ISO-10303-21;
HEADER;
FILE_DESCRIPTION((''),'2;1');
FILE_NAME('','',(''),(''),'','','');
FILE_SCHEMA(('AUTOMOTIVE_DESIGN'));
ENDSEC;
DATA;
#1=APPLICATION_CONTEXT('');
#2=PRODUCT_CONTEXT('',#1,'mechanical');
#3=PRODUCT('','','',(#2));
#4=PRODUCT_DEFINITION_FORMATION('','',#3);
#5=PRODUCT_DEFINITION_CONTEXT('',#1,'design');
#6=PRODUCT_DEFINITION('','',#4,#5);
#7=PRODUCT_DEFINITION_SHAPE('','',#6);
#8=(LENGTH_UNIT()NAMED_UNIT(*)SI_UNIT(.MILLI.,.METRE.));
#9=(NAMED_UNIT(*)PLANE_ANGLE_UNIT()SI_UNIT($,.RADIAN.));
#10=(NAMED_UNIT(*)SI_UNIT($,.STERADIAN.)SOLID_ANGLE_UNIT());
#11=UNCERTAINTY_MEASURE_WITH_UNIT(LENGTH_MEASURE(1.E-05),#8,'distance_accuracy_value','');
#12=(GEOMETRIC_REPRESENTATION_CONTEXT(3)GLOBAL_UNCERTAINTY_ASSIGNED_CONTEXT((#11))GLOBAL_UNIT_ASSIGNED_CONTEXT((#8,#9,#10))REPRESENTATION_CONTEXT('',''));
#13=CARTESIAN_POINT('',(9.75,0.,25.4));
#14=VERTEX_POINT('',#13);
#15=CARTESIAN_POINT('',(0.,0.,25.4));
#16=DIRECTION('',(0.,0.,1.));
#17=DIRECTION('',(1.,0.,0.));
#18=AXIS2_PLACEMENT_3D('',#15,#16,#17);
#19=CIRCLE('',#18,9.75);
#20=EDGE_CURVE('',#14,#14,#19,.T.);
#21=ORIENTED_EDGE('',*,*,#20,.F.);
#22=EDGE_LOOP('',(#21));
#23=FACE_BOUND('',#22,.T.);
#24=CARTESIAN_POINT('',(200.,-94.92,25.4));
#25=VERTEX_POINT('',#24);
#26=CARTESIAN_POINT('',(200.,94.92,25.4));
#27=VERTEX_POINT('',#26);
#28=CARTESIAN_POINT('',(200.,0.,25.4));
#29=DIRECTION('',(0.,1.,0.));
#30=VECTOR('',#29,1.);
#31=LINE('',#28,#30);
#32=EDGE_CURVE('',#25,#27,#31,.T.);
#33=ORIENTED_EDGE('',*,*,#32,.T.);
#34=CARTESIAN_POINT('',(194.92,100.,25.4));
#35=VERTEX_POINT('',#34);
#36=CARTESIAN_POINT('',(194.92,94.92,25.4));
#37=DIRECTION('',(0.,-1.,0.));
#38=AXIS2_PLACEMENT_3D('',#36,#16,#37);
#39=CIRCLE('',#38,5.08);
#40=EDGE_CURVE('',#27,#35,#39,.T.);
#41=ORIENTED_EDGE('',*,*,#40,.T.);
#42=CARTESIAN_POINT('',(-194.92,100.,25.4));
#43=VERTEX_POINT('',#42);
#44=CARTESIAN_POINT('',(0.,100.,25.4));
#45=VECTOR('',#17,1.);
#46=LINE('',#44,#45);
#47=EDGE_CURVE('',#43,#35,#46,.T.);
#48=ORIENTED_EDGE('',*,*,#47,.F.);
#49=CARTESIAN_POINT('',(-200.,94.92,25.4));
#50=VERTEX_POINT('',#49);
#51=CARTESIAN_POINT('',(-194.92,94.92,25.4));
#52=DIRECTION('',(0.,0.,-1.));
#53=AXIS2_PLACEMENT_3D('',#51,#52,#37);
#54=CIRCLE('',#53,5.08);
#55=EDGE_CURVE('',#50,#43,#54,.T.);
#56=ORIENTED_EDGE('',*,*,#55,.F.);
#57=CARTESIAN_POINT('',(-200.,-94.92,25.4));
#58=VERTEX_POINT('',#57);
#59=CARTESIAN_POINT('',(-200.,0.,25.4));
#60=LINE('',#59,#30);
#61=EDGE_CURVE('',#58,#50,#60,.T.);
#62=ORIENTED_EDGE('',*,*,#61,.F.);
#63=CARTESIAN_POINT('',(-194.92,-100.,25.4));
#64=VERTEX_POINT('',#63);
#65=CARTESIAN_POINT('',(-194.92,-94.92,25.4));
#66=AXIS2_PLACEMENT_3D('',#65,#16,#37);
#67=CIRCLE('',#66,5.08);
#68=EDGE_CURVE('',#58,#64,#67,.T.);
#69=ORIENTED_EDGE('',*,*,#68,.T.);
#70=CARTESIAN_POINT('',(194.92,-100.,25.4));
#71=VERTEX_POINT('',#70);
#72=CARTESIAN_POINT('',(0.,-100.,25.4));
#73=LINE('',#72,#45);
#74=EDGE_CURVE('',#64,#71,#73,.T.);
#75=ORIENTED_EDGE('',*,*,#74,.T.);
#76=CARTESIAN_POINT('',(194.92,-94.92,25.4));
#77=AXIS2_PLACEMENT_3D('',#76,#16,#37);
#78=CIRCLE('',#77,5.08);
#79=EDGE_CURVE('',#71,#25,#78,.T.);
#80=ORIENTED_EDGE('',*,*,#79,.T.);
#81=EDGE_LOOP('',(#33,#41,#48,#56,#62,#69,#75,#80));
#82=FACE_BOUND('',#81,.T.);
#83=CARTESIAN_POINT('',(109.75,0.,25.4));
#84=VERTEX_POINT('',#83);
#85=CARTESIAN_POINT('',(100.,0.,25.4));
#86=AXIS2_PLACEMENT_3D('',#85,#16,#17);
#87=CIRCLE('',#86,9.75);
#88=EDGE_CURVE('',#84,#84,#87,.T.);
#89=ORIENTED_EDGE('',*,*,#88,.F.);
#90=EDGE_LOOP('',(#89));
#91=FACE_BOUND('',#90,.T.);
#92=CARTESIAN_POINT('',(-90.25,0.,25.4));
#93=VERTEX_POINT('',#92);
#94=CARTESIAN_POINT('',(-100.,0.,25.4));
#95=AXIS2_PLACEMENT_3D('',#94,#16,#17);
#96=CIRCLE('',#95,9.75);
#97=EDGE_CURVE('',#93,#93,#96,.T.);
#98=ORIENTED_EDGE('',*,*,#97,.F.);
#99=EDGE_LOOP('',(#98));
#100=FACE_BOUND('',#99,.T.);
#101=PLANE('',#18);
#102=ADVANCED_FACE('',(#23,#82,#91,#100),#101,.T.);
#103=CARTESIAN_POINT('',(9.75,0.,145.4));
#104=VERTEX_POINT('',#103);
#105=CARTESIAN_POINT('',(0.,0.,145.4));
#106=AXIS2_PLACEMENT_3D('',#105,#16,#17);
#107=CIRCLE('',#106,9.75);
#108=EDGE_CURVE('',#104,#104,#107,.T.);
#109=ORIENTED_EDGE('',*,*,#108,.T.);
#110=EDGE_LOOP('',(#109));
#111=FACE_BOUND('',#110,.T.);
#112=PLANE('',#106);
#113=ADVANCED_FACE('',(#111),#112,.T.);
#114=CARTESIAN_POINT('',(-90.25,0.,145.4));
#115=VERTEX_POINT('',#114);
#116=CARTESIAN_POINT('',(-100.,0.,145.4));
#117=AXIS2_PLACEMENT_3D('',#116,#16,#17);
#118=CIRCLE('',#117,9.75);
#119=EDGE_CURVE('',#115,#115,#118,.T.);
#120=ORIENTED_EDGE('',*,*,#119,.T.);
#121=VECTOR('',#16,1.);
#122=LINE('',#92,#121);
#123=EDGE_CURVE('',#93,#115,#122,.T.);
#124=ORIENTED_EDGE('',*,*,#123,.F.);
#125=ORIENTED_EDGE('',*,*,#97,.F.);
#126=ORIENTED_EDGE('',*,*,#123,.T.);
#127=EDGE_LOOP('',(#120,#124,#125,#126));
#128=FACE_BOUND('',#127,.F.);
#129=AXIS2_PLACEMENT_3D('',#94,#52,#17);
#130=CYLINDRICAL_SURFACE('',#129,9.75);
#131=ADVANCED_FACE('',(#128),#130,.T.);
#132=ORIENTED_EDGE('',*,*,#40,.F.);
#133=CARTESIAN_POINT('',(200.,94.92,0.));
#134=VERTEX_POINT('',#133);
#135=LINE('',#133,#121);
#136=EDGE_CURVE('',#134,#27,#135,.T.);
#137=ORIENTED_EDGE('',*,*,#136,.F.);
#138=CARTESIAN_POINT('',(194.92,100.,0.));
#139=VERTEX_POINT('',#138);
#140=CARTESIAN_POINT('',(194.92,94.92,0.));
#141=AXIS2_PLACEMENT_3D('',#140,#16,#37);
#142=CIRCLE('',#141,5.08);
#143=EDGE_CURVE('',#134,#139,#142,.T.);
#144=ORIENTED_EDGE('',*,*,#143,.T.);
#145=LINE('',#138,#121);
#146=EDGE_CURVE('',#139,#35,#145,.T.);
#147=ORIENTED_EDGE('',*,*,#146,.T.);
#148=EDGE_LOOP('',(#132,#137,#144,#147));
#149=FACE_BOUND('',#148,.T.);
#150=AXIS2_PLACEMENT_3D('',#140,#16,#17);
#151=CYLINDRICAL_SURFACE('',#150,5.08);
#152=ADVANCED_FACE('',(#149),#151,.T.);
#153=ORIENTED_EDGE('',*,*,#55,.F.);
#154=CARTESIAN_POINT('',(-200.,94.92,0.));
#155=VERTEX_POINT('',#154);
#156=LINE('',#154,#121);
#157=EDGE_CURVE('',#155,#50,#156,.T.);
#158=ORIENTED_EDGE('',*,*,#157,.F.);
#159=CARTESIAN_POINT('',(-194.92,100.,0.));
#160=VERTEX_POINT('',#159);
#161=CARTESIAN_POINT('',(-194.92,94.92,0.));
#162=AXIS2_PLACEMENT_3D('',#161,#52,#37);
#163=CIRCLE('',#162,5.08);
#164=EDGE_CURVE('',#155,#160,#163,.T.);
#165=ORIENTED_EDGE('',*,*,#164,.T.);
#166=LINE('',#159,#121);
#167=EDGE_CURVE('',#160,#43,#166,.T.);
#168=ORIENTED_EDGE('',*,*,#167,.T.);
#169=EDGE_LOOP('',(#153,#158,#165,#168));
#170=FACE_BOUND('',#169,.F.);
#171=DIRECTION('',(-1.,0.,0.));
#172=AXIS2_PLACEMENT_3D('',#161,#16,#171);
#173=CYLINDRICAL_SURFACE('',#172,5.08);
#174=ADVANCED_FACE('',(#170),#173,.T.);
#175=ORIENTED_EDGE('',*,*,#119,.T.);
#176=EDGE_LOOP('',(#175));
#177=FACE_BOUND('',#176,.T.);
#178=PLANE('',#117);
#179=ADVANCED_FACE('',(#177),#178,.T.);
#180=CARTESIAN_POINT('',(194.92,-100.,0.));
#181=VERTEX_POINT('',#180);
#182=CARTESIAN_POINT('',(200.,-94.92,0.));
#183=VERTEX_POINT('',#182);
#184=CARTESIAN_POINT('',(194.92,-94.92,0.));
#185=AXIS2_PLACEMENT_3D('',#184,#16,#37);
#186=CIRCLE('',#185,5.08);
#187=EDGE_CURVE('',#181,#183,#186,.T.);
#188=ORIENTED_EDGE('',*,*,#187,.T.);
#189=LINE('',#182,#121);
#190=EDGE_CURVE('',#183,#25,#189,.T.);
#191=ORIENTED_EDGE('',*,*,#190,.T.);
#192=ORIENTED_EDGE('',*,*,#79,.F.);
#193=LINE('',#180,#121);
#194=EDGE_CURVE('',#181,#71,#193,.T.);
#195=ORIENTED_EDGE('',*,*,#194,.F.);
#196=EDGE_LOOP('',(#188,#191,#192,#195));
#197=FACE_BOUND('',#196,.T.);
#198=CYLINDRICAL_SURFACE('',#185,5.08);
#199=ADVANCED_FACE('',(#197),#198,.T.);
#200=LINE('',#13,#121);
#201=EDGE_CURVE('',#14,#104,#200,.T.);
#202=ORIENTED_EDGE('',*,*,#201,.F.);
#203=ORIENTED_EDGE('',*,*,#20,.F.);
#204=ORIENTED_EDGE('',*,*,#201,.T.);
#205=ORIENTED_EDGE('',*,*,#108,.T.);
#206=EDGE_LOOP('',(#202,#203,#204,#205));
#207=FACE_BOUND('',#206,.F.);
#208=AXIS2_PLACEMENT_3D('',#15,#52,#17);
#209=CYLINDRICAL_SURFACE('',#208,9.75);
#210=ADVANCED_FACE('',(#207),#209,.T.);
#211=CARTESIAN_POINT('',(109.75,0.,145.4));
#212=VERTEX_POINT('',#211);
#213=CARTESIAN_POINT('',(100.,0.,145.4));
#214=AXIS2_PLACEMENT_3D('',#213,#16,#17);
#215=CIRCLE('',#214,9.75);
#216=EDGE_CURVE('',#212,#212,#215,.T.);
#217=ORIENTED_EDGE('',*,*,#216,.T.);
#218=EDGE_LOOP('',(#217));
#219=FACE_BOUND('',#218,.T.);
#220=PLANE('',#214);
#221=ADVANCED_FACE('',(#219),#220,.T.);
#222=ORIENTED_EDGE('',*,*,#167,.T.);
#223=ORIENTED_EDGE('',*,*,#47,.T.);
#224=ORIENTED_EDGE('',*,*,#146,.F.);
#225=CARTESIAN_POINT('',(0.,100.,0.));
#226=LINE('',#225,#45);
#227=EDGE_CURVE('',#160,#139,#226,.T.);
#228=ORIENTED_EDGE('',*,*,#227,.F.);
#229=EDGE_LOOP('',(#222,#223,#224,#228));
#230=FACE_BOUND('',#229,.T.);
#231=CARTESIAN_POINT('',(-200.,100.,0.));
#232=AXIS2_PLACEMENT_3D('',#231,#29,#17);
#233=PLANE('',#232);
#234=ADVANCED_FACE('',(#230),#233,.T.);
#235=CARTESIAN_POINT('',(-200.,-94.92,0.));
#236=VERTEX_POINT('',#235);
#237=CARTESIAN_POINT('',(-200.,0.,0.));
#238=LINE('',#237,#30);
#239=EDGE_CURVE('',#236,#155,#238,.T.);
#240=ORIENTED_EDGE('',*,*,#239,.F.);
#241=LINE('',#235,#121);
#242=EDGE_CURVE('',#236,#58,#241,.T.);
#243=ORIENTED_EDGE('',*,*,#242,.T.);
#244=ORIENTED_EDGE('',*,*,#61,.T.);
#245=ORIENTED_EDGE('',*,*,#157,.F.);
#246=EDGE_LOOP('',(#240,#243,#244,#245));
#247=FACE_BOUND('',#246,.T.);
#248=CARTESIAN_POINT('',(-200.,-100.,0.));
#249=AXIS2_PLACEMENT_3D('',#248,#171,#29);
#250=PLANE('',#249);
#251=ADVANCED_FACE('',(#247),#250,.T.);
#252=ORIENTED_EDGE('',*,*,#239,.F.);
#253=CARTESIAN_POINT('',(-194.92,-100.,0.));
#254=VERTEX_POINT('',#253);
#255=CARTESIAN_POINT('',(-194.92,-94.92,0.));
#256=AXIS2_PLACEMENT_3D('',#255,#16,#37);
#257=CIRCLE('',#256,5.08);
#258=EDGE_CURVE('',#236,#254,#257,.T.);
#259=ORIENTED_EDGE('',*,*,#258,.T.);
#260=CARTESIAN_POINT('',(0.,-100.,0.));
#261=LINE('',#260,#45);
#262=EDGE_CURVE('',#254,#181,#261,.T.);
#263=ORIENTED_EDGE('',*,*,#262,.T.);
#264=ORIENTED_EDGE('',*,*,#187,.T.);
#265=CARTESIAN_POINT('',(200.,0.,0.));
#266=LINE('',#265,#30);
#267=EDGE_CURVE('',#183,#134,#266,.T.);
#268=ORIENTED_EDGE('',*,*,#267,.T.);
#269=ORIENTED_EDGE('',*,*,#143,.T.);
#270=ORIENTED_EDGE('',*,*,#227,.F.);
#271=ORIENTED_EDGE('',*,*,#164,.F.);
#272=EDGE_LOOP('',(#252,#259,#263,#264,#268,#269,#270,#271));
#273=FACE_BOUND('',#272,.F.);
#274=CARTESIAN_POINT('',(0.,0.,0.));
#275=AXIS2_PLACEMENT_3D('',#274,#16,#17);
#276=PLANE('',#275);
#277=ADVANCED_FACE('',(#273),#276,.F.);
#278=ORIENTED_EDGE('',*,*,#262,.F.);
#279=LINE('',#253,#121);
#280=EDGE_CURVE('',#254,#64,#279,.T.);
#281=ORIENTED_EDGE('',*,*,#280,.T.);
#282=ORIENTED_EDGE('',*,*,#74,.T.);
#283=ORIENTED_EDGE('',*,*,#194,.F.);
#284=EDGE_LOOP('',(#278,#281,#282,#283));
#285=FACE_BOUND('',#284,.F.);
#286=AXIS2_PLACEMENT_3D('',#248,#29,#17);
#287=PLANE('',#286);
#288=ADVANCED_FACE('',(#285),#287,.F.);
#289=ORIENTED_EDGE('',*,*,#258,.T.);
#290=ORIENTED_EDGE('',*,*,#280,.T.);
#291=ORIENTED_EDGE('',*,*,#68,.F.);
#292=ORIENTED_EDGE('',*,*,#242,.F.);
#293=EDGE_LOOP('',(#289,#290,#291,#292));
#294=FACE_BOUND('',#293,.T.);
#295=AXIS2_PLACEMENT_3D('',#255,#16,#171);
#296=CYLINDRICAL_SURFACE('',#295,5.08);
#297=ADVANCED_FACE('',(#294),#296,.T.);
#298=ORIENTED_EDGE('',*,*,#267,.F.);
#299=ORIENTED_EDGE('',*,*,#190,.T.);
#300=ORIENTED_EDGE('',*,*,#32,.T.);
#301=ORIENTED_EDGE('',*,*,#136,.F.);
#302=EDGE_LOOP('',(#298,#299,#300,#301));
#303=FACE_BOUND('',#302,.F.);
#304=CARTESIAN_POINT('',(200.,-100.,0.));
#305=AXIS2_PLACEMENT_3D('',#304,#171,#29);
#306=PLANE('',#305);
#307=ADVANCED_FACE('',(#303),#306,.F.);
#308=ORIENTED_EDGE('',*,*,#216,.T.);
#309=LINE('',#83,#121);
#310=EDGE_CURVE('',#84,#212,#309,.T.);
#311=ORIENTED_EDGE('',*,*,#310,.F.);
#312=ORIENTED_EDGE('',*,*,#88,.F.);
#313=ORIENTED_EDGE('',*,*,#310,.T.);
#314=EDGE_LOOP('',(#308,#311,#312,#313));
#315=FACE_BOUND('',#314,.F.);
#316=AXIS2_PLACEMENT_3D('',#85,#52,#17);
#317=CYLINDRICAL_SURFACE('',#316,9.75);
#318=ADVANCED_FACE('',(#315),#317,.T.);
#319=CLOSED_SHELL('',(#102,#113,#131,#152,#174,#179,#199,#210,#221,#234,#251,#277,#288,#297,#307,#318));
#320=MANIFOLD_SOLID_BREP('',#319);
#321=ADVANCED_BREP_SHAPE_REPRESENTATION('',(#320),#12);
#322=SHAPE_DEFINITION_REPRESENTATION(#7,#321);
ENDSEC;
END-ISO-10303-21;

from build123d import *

# Parameters (mm, degrees)
F0_W     = 400
F0_H     = 200
F1_DEPTH = 25.4
F2_R     = 5.08
F3_R     = 9.75
F4_DEPTH = 120


with BuildPart() as f1:
    # F0 (on Top) → F1 (new body)
    with BuildSketch(Plane.XY):
        Rectangle(F0_W, F0_H)
    extrude(amount=F1_DEPTH)

    # F2
    f2_edges = [f1.edges().sort_by_distance(p)[0] for p in [
        (200, 100, 12.7),
        (200, -100, 12.7),
        (-200, 100, 12.7),
        (-200, -100, 12.7),
    ]]
    fillet(f2_edges, radius=F2_R)

    # F3 (on face) → F4 (join)
    with BuildSketch(Plane.XY.offset(25.4)):
        with Locations((-100, 0)):
            Circle(F3_R)
        Circle(F3_R)
        with Locations((100, 0)):
            Circle(F3_R)
    extrude(amount=F4_DEPTH)


solid = f1.part
